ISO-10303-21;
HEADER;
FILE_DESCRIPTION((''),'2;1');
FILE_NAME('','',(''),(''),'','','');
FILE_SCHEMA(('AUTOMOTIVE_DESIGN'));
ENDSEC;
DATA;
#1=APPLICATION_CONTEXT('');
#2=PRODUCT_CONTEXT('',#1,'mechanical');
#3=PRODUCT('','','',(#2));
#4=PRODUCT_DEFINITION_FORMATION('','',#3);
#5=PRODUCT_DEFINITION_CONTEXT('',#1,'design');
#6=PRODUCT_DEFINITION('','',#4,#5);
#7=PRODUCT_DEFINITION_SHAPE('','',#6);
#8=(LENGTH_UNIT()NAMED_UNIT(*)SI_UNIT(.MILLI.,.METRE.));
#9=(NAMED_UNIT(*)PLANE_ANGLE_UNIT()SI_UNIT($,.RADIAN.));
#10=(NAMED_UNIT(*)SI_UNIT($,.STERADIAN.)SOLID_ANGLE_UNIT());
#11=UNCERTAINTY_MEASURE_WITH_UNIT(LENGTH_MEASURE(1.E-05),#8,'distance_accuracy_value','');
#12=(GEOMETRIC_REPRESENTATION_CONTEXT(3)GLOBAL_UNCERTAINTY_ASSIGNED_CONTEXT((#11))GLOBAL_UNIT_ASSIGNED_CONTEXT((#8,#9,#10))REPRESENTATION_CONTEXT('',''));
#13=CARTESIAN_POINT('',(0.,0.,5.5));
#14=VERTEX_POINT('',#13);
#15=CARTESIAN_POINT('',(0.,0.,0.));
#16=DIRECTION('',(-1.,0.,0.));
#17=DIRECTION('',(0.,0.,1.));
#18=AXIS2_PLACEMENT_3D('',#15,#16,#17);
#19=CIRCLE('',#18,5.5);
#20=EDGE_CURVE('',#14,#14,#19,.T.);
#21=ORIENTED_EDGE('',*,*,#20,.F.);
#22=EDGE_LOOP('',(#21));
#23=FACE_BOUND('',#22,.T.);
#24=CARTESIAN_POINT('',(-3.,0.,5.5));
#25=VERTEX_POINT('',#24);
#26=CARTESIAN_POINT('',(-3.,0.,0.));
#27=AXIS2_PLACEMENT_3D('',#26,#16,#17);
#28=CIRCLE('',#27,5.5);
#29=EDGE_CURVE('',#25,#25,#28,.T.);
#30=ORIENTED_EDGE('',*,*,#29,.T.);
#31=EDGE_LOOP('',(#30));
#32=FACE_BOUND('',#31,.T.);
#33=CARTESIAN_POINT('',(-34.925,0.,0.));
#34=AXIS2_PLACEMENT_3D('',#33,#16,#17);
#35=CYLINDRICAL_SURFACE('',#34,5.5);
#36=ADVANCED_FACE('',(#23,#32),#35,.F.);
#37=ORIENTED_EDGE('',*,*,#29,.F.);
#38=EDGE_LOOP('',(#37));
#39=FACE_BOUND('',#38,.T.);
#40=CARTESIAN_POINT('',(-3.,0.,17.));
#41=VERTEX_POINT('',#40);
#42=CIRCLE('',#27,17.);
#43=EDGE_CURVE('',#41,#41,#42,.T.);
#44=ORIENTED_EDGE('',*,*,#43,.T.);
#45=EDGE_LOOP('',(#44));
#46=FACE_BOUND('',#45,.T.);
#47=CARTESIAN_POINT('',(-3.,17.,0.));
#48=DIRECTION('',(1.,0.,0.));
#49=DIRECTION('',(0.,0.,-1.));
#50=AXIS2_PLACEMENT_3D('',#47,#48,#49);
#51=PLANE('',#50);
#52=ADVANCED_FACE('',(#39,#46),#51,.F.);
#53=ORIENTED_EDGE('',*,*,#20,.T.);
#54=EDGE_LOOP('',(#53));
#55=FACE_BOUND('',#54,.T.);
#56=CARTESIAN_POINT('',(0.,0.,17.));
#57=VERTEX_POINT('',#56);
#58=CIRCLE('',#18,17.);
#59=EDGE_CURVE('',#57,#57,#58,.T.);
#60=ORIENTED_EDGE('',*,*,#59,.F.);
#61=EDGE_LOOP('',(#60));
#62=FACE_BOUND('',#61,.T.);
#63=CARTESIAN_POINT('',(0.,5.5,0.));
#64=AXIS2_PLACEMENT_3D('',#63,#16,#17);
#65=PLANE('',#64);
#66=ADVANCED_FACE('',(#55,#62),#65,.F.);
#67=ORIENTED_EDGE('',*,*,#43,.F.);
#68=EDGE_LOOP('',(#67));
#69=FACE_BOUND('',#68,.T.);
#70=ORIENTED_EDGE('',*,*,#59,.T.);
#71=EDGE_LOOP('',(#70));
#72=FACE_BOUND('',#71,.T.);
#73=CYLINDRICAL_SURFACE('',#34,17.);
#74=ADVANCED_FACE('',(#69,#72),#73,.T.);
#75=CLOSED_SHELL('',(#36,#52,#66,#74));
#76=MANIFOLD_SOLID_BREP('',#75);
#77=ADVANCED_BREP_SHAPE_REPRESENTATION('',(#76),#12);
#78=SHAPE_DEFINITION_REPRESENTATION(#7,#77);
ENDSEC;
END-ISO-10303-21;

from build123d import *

# Parameters (mm, degrees)
SKETCH1_W = 3
SKETCH1_H = 11.5


with BuildPart() as part:
    # Sketch1 → Base-Revolve (revolve)
    with BuildSketch(Plane.XY, mode=Mode.PRIVATE) as base_revolve_sk:
        with Locations((-1.5, 11.25)):
            Rectangle(SKETCH1_W, SKETCH1_H)
    revolve(base_revolve_sk.sketch.rotate(Axis((-34.925, 0, 0), (1, 0, 0)), 90), axis=Axis((-34.925, 0, 0), (1, 0, 0)))


solid = part.part
